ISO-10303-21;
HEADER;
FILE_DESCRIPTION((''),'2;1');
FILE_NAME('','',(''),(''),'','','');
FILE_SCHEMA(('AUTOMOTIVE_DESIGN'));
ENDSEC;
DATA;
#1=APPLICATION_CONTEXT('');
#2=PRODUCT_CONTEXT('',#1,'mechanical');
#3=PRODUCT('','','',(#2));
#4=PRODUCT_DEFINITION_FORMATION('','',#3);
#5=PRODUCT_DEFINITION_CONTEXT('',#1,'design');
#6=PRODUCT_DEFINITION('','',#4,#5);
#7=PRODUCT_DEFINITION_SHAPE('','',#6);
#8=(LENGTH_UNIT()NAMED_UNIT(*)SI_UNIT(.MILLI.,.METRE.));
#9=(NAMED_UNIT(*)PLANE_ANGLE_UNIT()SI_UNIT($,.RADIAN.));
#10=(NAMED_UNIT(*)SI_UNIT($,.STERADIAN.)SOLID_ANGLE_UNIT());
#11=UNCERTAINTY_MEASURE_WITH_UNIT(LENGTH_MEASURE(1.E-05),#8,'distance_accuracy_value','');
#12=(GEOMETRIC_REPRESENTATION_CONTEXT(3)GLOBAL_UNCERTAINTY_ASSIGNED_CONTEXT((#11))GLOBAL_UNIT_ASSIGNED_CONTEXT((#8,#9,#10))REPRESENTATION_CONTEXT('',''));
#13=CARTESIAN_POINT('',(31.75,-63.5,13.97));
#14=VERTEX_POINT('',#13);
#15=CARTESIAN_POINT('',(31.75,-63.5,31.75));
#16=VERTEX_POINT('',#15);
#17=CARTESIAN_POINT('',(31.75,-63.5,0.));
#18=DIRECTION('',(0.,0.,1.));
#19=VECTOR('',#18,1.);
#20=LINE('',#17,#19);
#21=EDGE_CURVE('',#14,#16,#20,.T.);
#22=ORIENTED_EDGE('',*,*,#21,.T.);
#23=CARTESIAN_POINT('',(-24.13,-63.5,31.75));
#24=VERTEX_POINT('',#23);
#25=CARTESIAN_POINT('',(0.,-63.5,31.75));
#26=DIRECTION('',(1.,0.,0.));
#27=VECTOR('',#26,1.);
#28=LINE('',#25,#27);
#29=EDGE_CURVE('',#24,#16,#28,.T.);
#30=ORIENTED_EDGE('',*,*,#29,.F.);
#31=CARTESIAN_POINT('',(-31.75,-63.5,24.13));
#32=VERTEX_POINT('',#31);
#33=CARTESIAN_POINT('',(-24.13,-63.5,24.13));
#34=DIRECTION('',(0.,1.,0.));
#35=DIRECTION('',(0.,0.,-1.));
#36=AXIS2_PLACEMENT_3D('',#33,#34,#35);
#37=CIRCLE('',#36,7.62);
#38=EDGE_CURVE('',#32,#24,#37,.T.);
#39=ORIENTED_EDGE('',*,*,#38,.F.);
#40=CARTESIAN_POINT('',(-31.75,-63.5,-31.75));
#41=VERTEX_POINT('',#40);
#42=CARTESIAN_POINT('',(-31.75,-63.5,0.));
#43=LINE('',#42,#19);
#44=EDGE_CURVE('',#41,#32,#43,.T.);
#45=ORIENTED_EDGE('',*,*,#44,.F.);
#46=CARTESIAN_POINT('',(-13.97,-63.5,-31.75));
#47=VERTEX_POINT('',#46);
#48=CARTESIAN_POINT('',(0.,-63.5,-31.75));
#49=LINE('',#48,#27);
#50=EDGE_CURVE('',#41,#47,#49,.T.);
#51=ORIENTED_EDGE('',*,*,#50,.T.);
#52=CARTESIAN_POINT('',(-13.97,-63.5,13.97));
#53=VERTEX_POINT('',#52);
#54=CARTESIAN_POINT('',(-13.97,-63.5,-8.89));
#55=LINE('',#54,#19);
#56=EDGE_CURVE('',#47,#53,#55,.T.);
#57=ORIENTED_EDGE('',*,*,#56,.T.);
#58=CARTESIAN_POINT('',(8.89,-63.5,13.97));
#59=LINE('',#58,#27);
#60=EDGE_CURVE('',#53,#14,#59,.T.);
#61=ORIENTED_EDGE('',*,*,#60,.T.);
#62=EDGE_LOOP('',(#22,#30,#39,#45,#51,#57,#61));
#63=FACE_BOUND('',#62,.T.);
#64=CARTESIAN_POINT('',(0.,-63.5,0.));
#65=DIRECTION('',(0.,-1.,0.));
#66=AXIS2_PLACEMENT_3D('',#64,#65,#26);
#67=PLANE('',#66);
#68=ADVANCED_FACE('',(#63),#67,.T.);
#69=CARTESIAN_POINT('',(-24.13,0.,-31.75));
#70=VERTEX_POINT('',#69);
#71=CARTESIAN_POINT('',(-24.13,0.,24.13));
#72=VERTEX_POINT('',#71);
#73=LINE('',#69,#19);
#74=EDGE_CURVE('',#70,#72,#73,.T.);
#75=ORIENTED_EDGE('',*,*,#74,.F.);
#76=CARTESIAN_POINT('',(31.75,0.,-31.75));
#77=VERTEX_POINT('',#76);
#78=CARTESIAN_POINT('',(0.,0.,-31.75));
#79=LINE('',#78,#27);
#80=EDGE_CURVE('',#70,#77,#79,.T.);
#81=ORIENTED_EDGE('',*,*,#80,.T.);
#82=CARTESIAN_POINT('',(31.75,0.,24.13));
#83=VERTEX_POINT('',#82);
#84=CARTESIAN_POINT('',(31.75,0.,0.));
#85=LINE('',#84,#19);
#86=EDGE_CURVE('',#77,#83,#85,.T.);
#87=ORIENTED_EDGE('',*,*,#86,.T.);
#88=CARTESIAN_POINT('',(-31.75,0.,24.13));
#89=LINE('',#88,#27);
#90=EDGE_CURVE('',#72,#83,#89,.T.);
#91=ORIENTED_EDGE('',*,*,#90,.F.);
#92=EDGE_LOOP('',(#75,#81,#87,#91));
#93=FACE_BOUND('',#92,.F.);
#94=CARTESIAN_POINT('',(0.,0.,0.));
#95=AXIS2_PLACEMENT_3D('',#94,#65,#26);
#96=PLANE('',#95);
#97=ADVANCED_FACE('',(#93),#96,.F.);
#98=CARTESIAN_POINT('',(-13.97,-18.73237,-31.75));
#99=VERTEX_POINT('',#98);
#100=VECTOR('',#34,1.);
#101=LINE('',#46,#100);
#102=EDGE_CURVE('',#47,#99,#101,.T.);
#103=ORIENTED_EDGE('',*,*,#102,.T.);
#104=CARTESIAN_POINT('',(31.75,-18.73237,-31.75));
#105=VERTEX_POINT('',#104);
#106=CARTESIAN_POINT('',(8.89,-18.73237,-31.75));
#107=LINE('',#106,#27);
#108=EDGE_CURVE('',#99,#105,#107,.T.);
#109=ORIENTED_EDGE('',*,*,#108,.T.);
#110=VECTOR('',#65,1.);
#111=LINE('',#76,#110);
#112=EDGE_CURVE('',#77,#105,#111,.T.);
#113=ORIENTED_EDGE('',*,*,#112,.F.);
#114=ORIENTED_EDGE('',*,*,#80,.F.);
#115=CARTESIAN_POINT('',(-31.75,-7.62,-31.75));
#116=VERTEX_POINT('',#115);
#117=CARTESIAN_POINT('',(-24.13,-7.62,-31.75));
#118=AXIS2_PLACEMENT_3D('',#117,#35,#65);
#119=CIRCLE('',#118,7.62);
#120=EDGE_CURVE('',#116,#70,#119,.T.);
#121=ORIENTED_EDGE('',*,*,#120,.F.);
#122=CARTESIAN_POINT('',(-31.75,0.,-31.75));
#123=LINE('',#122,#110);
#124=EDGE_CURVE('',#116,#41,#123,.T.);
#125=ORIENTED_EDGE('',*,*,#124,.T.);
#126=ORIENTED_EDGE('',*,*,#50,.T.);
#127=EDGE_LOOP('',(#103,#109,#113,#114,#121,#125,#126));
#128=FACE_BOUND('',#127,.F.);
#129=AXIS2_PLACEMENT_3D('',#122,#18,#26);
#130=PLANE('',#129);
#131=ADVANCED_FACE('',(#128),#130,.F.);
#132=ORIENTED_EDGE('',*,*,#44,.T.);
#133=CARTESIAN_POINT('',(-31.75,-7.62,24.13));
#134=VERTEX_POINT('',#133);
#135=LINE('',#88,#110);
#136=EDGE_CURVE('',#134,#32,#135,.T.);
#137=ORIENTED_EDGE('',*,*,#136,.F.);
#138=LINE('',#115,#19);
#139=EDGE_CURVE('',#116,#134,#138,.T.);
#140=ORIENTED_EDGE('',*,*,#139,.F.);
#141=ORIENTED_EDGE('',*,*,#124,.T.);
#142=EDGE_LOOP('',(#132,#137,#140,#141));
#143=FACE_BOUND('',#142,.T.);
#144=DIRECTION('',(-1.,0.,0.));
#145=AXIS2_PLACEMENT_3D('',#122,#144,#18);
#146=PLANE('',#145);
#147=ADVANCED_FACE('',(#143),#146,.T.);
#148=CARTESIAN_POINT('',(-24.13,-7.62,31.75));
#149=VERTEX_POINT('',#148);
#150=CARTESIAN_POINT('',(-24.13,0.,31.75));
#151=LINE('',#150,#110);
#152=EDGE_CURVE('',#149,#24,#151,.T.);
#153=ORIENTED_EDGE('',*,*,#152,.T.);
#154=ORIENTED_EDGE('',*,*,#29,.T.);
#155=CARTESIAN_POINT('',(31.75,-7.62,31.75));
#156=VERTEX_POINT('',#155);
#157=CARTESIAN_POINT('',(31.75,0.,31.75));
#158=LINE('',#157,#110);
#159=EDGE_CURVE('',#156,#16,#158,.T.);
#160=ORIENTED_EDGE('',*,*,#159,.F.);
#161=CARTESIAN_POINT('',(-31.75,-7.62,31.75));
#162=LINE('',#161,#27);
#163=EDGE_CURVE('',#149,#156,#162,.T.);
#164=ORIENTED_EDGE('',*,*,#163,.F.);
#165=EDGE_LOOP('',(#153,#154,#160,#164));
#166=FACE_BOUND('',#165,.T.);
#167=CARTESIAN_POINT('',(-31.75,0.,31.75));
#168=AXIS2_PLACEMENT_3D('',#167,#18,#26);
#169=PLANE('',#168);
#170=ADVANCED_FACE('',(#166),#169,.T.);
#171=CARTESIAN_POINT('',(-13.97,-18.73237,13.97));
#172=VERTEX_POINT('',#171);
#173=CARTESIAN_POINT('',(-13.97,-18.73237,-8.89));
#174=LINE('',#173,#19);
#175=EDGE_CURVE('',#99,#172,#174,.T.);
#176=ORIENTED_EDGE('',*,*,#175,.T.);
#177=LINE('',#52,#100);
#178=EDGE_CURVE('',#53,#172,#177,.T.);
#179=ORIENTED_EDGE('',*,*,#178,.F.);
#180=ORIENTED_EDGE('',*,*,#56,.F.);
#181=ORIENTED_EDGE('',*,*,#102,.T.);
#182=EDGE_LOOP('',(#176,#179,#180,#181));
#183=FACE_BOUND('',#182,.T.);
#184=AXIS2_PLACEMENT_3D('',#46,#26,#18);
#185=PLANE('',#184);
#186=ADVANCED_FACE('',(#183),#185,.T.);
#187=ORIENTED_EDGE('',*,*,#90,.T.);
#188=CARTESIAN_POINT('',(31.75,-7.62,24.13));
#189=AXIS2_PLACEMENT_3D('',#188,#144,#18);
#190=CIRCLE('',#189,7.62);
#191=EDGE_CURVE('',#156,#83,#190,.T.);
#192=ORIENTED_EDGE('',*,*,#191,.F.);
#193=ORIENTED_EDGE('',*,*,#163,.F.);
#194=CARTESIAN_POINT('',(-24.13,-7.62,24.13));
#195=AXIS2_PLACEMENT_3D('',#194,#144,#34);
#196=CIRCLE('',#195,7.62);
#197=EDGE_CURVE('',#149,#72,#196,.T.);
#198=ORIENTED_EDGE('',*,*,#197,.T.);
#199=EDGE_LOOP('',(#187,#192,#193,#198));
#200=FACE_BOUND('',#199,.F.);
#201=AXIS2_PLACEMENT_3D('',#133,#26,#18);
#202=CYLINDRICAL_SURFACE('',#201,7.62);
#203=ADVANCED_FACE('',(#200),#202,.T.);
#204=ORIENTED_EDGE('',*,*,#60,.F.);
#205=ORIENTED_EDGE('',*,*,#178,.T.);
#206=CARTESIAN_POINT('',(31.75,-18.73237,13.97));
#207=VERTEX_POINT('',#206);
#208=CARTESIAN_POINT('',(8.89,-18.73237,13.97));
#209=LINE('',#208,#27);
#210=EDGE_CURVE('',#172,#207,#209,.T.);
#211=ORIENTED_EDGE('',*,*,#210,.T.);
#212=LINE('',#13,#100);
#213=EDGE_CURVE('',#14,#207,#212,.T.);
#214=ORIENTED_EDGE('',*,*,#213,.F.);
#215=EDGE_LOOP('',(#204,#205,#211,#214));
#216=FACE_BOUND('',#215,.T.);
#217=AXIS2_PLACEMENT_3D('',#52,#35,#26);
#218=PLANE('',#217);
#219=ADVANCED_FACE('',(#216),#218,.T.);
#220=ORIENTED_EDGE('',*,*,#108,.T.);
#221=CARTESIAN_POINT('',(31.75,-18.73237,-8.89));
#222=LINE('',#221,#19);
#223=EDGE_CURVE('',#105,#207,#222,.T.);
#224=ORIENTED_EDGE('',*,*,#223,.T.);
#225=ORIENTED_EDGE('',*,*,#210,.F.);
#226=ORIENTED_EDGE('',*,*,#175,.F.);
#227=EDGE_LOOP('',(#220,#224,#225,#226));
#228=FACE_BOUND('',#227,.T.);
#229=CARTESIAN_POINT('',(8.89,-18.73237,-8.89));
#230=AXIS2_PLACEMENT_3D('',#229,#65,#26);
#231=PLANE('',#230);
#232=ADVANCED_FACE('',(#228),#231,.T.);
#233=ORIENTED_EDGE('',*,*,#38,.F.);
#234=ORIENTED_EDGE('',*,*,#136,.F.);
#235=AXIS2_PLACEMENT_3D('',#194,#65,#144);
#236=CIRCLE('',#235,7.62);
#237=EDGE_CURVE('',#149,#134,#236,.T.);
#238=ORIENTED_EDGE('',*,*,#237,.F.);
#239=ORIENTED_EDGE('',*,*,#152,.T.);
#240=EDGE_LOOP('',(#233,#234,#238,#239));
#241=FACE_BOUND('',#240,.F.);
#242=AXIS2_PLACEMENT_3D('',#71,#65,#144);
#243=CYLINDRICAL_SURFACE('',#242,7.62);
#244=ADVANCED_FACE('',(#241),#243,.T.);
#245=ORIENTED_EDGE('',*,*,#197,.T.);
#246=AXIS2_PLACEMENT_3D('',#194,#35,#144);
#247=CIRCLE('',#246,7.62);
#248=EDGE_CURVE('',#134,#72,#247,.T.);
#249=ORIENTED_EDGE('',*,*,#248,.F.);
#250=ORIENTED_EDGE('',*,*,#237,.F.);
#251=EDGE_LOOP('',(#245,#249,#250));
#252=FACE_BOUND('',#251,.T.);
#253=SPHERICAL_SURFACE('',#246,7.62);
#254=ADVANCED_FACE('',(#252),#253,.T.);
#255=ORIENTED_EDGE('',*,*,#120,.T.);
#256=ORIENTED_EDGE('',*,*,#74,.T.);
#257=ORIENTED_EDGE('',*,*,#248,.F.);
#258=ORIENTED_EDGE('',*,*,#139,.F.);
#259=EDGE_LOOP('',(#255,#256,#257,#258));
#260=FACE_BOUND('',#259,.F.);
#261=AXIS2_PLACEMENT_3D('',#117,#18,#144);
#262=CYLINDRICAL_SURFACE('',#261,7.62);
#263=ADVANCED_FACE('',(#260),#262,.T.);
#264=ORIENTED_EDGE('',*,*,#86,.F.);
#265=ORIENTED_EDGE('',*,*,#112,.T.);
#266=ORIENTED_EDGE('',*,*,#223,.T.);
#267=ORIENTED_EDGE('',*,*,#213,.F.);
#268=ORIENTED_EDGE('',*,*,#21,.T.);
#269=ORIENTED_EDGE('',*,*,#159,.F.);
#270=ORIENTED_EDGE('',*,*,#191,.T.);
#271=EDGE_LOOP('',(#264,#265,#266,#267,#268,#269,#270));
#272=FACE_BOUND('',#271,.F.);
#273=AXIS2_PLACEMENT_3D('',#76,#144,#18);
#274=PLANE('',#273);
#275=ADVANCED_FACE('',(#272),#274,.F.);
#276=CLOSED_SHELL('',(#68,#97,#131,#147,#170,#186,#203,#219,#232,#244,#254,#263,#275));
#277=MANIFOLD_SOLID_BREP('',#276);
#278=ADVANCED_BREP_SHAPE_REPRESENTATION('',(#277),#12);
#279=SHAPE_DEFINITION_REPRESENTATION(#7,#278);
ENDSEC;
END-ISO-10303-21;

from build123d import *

# Parameters (mm, degrees)
F0_W     = 63.5
F0_H     = 63.5
F1_DEPTH = 63.5
F2_W     = 45.72
F2_H     = 45.72
F3_DEPTH = 44.76763
F4_R     = 7.62


with BuildPart() as f1:
    # F0 (on Front) → F1 (new body)
    with BuildSketch(Plane.XZ):
        Rectangle(F0_W, F0_H)
    extrude(amount=F1_DEPTH)

    # F2 (on face) → F3 (cut)
    with BuildSketch(Plane.XZ.offset(63.5)):
        with Locations((8.89, -8.89)):
            Rectangle(F2_W, F2_H)
    extrude(amount=-F3_DEPTH, mode=Mode.SUBTRACT)

    # F4
    f4_edges = [f1.edges().sort_by_distance(p)[0] for p in [
        (-31.75, 0, 0),
        (-31.75, -31.75, 31.75),
        (0, 0, 31.75),
    ]]
    fillet(f4_edges, radius=F4_R)


solid = f1.part
